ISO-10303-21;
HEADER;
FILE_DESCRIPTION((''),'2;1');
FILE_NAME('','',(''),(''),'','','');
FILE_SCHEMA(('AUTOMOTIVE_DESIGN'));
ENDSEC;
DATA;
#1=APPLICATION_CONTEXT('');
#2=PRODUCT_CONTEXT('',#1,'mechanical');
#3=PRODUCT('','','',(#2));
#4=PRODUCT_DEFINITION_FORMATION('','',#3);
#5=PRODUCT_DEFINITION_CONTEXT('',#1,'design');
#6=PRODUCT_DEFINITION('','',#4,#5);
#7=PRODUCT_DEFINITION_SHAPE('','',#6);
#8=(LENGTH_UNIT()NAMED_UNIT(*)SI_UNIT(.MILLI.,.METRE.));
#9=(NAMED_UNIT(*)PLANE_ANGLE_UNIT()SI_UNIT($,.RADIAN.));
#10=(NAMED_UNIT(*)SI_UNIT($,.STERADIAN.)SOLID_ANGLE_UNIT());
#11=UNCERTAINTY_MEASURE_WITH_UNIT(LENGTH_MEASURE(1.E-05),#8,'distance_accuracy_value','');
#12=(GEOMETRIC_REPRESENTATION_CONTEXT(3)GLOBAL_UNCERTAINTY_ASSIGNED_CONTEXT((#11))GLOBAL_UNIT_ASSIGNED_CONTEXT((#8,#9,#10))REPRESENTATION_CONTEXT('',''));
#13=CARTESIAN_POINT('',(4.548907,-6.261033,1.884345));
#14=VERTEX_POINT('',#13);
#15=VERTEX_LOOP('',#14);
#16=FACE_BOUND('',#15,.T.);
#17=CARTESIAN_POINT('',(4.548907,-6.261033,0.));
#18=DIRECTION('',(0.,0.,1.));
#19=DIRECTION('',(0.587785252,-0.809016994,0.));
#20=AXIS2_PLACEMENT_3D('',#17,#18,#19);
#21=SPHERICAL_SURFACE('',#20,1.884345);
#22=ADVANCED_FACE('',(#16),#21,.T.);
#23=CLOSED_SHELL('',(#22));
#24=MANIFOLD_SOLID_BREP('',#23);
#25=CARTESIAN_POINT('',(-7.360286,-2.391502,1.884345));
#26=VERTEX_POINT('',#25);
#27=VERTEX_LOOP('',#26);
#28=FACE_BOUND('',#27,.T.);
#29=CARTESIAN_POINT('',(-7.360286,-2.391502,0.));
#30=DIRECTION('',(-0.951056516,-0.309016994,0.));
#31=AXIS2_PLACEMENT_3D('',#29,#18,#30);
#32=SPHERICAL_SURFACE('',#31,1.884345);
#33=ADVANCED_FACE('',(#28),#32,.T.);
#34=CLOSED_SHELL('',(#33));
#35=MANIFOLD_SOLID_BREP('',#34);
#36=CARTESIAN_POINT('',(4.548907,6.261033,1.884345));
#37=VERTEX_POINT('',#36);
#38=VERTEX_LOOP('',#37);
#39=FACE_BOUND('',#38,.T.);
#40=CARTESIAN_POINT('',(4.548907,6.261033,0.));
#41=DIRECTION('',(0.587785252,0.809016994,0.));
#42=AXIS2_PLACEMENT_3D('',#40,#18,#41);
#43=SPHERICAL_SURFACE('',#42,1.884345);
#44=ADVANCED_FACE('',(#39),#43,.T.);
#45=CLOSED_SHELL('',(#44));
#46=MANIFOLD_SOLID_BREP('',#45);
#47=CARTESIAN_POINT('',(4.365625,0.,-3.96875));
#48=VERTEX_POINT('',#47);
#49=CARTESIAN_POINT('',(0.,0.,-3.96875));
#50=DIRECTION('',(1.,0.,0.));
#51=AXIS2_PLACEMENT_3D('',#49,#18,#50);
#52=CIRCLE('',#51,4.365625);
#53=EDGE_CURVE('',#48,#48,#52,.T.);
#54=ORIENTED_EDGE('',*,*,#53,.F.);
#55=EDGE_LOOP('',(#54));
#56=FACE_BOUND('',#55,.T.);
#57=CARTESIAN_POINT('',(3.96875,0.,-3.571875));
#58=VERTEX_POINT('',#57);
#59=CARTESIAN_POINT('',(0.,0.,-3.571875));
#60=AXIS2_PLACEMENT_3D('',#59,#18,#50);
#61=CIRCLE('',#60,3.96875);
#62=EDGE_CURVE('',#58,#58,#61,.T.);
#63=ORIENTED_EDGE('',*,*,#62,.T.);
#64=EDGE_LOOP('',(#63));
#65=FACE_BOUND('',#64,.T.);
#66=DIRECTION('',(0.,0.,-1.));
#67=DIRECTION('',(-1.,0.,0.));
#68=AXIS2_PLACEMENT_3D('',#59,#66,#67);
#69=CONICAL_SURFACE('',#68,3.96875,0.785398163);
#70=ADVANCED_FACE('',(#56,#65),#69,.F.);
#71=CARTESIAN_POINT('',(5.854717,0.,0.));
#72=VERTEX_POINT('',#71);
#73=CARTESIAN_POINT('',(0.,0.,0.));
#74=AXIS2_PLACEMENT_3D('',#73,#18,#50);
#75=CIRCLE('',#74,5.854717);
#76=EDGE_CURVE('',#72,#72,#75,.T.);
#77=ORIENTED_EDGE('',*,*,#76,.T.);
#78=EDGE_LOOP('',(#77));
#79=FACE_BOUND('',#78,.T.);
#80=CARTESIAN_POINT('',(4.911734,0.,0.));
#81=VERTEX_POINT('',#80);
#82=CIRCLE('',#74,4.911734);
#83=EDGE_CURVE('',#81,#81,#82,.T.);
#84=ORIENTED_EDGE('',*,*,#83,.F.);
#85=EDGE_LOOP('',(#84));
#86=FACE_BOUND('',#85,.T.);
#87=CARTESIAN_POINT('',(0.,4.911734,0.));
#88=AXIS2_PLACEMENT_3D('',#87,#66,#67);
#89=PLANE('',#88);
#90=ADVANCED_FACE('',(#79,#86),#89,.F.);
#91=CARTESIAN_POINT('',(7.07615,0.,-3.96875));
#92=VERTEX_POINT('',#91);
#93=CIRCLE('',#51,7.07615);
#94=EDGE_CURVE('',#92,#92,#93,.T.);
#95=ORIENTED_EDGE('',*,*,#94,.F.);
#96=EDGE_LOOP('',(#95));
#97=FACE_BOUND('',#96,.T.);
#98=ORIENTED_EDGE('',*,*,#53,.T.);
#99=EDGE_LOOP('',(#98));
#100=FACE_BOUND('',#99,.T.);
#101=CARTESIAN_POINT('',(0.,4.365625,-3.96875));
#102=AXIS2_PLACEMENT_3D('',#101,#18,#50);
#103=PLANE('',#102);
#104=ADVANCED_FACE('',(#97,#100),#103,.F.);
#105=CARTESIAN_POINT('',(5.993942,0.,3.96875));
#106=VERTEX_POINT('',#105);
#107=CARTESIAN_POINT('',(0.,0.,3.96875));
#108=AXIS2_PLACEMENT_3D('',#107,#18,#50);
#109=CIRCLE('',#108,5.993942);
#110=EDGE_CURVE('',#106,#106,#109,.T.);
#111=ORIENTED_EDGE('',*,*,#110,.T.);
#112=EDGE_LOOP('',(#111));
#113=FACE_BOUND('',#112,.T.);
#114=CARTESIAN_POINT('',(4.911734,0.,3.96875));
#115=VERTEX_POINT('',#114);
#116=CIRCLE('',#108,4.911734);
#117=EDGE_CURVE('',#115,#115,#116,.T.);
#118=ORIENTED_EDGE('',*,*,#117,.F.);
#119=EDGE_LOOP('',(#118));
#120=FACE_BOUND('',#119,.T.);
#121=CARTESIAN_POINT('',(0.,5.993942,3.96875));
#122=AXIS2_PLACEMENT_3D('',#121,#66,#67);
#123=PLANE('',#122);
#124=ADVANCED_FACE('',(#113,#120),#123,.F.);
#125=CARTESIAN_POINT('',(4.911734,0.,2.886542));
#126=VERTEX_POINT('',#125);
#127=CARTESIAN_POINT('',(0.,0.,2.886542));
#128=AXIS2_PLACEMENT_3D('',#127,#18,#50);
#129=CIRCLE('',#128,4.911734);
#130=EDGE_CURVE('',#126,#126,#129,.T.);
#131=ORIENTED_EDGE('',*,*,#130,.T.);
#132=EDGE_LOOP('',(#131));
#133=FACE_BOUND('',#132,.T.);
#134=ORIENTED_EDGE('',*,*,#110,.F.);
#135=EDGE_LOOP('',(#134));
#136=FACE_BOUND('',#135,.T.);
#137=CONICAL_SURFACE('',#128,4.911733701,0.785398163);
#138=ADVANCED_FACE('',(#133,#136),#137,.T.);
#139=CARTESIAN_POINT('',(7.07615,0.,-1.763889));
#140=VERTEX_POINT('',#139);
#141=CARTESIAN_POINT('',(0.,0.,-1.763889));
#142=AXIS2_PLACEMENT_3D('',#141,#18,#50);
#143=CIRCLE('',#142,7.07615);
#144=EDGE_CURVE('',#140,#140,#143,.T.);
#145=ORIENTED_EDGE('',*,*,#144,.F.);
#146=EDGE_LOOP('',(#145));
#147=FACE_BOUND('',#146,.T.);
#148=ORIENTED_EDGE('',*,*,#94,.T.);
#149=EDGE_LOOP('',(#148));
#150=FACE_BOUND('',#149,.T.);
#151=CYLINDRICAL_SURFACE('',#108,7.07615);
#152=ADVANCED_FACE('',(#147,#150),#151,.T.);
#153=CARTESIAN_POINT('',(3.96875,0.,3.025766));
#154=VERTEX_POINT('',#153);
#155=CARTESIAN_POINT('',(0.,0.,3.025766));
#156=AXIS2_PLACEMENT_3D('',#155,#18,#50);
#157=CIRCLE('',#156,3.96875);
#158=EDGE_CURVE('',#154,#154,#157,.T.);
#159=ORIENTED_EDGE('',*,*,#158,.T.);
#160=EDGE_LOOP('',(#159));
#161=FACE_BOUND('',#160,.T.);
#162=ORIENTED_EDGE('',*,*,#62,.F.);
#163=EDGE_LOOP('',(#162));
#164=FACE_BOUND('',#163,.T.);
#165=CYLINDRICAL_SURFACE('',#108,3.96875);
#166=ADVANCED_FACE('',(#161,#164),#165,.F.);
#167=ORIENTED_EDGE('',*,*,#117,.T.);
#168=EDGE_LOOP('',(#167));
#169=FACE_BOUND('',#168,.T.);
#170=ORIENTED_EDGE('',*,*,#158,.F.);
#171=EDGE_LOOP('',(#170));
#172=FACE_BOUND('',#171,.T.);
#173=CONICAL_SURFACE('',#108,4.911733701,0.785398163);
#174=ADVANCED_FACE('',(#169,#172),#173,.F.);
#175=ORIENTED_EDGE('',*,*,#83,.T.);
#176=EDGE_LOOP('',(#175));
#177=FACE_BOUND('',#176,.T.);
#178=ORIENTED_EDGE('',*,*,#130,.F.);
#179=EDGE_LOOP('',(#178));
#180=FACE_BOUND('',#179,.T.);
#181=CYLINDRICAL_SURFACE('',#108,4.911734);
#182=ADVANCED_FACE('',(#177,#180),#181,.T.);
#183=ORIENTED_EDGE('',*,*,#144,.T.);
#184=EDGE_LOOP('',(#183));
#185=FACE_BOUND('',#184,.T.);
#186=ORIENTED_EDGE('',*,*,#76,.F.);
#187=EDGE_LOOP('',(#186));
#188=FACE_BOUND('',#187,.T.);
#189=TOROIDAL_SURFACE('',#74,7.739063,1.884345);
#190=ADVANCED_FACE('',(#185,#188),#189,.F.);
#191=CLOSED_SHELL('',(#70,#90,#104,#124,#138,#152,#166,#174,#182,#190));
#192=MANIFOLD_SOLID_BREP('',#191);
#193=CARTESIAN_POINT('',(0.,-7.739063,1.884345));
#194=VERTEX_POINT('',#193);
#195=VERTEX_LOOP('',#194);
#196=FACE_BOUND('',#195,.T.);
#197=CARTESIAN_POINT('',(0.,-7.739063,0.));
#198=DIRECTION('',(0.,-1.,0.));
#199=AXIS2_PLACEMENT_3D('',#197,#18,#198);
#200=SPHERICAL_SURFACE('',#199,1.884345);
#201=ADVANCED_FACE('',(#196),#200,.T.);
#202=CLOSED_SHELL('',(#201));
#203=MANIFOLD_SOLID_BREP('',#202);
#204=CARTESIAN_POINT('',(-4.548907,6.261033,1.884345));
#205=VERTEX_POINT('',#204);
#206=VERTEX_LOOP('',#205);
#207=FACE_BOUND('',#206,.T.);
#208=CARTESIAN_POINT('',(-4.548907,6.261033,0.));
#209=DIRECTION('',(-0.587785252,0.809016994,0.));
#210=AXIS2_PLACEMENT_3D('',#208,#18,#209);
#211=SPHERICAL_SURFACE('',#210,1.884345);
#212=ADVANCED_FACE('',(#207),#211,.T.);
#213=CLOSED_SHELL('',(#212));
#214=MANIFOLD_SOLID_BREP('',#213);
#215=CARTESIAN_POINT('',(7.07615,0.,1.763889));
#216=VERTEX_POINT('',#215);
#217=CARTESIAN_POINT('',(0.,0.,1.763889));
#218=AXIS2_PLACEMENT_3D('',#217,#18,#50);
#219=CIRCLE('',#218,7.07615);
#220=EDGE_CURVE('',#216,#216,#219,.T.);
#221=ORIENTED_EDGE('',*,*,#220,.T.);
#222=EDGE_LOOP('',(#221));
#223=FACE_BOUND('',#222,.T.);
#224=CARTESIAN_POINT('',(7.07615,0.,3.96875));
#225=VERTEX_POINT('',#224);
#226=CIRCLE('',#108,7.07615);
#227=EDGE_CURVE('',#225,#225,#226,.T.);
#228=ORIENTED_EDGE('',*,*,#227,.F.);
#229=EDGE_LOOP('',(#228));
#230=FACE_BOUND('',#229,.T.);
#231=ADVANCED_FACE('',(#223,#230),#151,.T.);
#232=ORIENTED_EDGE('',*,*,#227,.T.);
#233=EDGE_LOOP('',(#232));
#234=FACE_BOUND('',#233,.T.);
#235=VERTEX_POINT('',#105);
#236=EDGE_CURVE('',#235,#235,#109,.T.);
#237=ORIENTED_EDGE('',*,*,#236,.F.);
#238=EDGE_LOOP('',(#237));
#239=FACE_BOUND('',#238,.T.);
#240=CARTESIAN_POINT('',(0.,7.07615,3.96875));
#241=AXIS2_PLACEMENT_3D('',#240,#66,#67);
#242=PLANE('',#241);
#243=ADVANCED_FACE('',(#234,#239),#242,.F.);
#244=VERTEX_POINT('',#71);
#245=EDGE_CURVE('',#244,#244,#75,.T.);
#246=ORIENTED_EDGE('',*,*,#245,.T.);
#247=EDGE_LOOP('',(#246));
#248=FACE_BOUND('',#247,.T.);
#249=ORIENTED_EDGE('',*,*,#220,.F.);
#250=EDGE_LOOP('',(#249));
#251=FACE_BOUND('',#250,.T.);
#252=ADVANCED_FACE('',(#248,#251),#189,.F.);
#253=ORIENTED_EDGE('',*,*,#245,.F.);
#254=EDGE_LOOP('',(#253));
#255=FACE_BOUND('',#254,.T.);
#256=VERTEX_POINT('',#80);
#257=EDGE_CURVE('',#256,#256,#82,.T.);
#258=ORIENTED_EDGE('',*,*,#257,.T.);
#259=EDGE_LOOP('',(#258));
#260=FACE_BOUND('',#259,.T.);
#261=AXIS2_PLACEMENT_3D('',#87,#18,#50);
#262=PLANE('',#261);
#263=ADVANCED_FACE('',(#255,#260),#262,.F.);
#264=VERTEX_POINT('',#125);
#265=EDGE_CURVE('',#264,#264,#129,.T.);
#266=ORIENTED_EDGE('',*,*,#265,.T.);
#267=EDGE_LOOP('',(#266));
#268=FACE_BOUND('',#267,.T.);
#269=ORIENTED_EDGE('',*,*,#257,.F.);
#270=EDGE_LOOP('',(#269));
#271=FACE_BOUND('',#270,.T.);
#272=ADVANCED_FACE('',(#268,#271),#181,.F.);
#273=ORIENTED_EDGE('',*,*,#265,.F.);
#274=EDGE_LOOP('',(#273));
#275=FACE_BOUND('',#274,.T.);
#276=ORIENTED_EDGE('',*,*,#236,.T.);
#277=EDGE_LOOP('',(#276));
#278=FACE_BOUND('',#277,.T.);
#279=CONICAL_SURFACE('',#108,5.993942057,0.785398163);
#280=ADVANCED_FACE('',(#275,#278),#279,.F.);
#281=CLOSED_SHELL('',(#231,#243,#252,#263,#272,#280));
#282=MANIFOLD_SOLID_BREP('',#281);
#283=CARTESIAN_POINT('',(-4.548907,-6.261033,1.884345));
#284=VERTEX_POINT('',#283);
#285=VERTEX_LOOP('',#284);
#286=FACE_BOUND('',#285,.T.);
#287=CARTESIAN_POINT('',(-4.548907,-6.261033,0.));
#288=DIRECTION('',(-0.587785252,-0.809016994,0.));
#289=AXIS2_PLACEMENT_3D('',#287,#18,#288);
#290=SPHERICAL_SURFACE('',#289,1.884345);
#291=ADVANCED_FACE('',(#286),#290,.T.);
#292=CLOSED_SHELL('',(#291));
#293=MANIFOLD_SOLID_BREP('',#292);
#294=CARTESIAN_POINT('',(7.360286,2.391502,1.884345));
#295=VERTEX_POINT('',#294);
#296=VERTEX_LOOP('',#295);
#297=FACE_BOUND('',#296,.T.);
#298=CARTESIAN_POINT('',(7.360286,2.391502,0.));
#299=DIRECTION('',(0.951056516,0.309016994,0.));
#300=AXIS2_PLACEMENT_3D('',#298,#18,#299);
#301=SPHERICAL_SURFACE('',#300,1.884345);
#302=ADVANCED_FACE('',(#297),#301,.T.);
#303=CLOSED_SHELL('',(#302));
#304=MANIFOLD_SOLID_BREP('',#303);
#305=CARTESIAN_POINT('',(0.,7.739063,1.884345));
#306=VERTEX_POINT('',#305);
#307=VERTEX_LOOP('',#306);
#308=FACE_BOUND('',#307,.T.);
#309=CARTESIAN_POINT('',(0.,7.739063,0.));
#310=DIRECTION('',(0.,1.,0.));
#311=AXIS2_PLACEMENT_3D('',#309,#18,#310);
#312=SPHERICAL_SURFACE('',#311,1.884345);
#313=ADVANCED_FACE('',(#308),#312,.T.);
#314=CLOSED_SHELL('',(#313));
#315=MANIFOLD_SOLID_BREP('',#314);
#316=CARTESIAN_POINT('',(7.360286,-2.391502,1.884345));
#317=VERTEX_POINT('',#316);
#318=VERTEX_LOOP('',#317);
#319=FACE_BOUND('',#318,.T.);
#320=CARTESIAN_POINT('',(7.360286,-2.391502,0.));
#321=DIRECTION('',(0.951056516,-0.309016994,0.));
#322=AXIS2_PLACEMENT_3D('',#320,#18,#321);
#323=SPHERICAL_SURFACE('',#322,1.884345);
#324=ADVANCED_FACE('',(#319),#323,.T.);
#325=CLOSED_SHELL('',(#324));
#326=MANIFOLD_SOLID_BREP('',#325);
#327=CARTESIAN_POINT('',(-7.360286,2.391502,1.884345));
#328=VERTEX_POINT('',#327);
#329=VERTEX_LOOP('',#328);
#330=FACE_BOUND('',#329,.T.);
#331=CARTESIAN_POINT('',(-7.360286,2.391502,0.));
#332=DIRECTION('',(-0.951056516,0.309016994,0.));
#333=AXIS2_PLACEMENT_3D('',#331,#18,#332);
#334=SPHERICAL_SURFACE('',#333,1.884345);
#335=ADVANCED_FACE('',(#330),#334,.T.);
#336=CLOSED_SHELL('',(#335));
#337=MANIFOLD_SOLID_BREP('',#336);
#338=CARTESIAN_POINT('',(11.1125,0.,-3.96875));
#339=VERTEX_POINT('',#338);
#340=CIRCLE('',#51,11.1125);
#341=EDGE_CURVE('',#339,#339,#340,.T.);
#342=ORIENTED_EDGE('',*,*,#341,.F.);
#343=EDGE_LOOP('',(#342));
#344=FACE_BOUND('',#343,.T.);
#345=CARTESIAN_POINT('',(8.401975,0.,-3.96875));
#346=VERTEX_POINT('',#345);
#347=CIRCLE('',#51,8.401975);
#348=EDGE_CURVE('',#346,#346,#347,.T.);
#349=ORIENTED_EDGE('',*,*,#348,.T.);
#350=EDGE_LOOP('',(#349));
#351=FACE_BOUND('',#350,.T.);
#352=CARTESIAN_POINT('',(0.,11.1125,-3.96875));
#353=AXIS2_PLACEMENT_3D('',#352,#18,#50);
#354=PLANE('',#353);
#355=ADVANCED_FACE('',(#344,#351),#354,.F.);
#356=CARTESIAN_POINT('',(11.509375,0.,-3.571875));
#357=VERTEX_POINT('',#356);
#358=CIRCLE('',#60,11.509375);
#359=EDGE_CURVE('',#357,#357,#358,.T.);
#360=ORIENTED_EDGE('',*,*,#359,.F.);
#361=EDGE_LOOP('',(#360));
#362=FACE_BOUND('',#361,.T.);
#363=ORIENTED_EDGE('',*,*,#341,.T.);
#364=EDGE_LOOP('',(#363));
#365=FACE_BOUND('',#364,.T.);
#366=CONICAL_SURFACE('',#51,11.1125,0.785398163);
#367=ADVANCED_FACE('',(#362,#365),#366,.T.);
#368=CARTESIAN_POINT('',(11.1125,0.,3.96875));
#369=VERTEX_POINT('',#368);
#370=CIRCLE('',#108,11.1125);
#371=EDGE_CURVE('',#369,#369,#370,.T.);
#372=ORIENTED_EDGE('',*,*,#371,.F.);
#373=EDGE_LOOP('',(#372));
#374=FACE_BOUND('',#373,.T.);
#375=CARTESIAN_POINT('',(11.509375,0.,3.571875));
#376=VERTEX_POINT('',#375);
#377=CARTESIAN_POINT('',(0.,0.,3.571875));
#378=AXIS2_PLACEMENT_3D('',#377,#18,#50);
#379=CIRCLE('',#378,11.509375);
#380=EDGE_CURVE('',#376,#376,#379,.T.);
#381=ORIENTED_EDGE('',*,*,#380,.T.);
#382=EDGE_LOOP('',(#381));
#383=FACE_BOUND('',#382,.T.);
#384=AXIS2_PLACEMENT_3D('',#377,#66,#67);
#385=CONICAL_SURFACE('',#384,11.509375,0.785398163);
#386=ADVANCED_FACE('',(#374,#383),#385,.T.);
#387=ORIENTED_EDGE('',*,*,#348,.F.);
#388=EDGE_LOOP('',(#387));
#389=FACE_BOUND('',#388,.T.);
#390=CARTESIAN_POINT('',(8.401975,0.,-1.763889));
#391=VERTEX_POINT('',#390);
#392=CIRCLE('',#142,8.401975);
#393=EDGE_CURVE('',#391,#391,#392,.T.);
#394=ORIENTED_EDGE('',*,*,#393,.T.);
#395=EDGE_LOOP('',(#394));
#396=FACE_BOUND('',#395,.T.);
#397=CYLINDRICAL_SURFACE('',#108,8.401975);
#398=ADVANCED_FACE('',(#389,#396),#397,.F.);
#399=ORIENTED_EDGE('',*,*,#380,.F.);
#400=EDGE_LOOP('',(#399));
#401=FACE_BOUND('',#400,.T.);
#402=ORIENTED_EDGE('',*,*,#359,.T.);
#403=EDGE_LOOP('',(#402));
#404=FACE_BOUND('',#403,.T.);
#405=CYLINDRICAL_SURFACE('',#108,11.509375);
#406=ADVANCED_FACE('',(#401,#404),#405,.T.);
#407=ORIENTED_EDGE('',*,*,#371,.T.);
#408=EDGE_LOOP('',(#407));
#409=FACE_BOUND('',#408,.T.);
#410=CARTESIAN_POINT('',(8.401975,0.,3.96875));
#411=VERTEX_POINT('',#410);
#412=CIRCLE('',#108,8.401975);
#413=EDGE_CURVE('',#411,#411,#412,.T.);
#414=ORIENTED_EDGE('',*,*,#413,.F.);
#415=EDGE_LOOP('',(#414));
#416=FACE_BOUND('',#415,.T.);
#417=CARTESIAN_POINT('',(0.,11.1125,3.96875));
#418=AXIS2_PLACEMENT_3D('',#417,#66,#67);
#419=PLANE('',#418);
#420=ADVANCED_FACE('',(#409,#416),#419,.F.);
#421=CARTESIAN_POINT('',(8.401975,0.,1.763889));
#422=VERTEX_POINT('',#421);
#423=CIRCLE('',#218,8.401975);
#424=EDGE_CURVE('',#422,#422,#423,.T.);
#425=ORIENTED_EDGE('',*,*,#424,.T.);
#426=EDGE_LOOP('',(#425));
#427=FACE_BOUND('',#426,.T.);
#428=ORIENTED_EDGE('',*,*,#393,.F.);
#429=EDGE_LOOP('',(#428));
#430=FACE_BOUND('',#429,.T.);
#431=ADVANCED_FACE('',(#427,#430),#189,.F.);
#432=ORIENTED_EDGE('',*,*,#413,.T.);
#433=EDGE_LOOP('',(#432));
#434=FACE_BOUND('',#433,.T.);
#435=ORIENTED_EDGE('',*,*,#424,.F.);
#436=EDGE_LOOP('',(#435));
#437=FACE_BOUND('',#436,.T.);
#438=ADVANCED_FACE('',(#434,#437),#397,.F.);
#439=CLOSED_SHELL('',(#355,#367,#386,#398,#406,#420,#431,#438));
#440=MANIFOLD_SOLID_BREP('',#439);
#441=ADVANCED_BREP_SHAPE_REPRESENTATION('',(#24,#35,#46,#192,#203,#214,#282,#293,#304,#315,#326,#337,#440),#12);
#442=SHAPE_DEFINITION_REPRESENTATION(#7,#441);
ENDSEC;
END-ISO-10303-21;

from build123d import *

# Parameters (mm, degrees)
CIRPATTERN1_COUNT = 10


with BuildPart() as part:
    # Sketch1 → Revolve1 (revolve)
    with BuildSketch(Plane(origin=(0, 0, 0), x_dir=(0, 0, -1), z_dir=(1, 0, 0))):
        with BuildLine():
            Line((3.571875, 11.509375), (-3.571875, 11.509375))
            Line((-3.571875, 11.509375), (-3.96875, 11.1125))
            Line((-3.96875, 11.1125), (-3.96875, 8.401974588))
            Line((-3.96875, 8.401974588), (-1.763888889, 8.401974588))
            ThreePointArc((-1.763888889, 8.401974588), (0, 9.623407598), (1.763888889, 8.401974588))
            Line((1.763888889, 8.401974588), (3.96875, 8.401974588))
            Line((3.96875, 8.401974588), (3.96875, 11.1125))
            Line((3.96875, 11.1125), (3.571875, 11.509375))
        make_face()
    revolve(axis=Axis((0, 0, 3.96875), (0, 0, -1)))


with BuildPart() as body_2:
    # Sketch2 → Revolve2 (revolve)
    with BuildSketch(Plane(origin=(0, 0, 0), x_dir=(0, 0, -1), z_dir=(1, 0, 0))):
        with BuildLine():
            Line((-3.96875, 7.076150412), (-1.763888889, 7.076150412))
            ThreePointArc((-1.763888889, 7.076150412), (-1.072753771, 6.189883428), (0, 5.854717402))
            Line((0, 5.854717402), (0, 4.911733701))
            Line((0, 4.911733701), (-2.886541644, 4.911733701))
            Line((-2.886541644, 4.911733701), (-3.96875, 5.993942057))
            Line((-3.96875, 5.993942057), (-3.96875, 7.076150412))
        make_face()
    revolve(axis=Axis((0, 0, 3.96875), (0, 0, -1)))


with BuildPart() as body_3:
    # Sketch3 → Revolve3 (revolve)
    with BuildSketch(Plane(origin=(0, 0, 0), x_dir=(0, 0, -1), z_dir=(1, 0, 0))):
        with BuildLine():
            Line((-3.96875, 5.993942057), (-2.886541644, 4.911733701))
            Line((-2.886541644, 4.911733701), (0, 4.911733701))
            Line((0, 4.911733701), (0, 5.854717402))
            ThreePointArc((0, 5.854717402), (1.072753771, 6.189883428), (1.763888889, 7.076150412))
            Line((1.763888889, 7.076150412), (3.96875, 7.076150412))
            Line((3.96875, 7.076150412), (3.96875, 4.365625))
            Line((3.96875, 4.365625), (3.571875, 3.96875))
            Line((3.571875, 3.96875), (-3.025766299, 3.96875))
            Line((-3.025766299, 3.96875), (-3.96875, 4.911733701))
            Line((-3.96875, 4.911733701), (-3.96875, 5.993942057))
        make_face()
    revolve(axis=Axis((0, 0, 3.96875), (0, 0, -1)))


with BuildPart() as body_4:
    # Sketch4 → Revolve4 (revolve)
    with BuildSketch(Plane(origin=(0, 0, 0), x_dir=(0, 0, -1), z_dir=(1, 0, 0))):
        with BuildLine():
            Line((-1.884345098, 7.7390625), (1.884345098, 7.7390625))
            ThreePointArc((1.884345098, 7.7390625), (0, 9.623407598), (-1.884345098, 7.7390625))
        make_face()
    revolve(axis=Axis((0, 7.7390625, 1.884345098), (0, 0, -1)))


with BuildPart() as cirpattern1_1:
    # CirPattern1: pattern copy
    add(body_4.part.rotate(Axis((0, 0, -3.96875), (0, 0, 1)), 1 * 360 / CIRPATTERN1_COUNT))


with BuildPart() as cirpattern1_2:
    # CirPattern1: pattern copy
    add(body_4.part.rotate(Axis((0, 0, -3.96875), (0, 0, 1)), 2 * 360 / CIRPATTERN1_COUNT))


with BuildPart() as cirpattern1_3:
    # CirPattern1: pattern copy
    add(body_4.part.rotate(Axis((0, 0, -3.96875), (0, 0, 1)), 3 * 360 / CIRPATTERN1_COUNT))


with BuildPart() as cirpattern1_4:
    # CirPattern1: pattern copy
    add(body_4.part.rotate(Axis((0, 0, -3.96875), (0, 0, 1)), 4 * 360 / CIRPATTERN1_COUNT))


with BuildPart() as cirpattern1_5:
    # CirPattern1: pattern copy
    add(body_4.part.rotate(Axis((0, 0, -3.96875), (0, 0, 1)), 5 * 360 / CIRPATTERN1_COUNT))


with BuildPart() as cirpattern1_6:
    # CirPattern1: pattern copy
    add(body_4.part.rotate(Axis((0, 0, -3.96875), (0, 0, 1)), 6 * 360 / CIRPATTERN1_COUNT))


with BuildPart() as cirpattern1_7:
    # CirPattern1: pattern copy
    add(body_4.part.rotate(Axis((0, 0, -3.96875), (0, 0, 1)), 7 * 360 / CIRPATTERN1_COUNT))


with BuildPart() as cirpattern1_8:
    # CirPattern1: pattern copy
    add(body_4.part.rotate(Axis((0, 0, -3.96875), (0, 0, 1)), 8 * 360 / CIRPATTERN1_COUNT))


with BuildPart() as cirpattern1_9:
    # CirPattern1: pattern copy
    add(body_4.part.rotate(Axis((0, 0, -3.96875), (0, 0, 1)), 9 * 360 / CIRPATTERN1_COUNT))


solid = Compound([part.part, body_2.part, body_3.part, body_4.part, cirpattern1_1.part, cirpattern1_2.part, cirpattern1_3.part, cirpattern1_4.part, cirpattern1_5.part, cirpattern1_6.part, cirpattern1_7.part, cirpattern1_8.part, cirpattern1_9.part])
